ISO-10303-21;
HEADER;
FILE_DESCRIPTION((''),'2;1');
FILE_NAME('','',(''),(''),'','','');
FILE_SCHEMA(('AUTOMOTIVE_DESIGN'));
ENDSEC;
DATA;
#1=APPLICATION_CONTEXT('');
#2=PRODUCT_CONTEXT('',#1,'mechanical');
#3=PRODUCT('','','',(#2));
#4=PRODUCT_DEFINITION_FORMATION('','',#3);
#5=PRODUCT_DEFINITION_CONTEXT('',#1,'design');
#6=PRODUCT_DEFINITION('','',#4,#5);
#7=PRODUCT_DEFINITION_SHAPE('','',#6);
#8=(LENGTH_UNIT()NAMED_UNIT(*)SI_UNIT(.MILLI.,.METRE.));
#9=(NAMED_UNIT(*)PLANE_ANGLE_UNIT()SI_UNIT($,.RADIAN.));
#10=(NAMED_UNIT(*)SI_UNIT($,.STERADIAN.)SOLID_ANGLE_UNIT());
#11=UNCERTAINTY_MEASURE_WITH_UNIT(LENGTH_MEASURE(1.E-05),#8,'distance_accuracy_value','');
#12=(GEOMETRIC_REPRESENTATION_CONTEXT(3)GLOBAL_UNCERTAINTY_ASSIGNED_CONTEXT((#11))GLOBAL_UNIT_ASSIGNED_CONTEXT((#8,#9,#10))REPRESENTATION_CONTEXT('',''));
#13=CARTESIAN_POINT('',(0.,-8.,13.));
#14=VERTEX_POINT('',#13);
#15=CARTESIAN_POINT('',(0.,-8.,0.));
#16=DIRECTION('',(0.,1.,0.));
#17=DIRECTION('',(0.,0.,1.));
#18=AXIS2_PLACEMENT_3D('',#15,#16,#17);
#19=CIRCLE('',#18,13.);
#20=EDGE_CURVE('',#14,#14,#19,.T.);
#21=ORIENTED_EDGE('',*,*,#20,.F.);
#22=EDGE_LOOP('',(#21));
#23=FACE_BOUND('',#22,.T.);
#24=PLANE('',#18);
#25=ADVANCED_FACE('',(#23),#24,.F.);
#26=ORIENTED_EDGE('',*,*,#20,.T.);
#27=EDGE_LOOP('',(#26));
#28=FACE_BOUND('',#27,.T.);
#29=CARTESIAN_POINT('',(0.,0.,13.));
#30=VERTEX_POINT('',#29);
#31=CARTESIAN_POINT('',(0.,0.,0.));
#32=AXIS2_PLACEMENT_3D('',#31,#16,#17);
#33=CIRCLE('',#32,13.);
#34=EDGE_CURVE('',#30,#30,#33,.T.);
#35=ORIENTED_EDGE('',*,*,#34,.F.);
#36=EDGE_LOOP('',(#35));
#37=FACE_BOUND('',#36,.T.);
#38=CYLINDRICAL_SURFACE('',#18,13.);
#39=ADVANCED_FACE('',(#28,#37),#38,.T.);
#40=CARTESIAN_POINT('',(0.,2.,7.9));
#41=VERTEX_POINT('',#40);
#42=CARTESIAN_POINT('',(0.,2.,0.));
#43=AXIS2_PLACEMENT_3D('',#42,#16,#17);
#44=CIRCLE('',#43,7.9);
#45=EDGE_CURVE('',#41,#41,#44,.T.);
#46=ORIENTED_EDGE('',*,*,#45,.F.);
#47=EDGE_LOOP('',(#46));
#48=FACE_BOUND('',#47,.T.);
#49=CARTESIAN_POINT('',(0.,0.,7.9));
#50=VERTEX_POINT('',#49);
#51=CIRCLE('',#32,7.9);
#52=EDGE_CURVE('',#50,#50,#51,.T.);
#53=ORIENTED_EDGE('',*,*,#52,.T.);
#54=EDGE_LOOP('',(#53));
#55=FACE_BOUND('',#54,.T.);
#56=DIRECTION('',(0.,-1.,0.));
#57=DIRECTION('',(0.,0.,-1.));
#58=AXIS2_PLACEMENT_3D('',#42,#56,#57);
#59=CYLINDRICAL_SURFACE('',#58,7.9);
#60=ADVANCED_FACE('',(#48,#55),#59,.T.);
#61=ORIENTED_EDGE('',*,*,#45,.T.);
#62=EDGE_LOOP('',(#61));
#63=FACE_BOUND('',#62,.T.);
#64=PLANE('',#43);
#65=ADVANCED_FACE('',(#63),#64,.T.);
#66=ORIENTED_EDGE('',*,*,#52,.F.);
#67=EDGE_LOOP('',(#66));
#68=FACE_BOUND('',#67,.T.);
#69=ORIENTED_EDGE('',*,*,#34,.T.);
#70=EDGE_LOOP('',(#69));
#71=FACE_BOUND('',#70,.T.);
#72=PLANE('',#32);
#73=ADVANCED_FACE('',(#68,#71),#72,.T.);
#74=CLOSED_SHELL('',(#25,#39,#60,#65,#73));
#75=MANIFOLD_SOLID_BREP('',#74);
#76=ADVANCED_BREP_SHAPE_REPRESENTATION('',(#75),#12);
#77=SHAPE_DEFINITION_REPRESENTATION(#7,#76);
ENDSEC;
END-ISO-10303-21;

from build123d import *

# Parameters (mm, degrees)
CROQUIS2_R              = 7.9
SALIENTE_EXTRUIR1_DEPTH = 2
CROQUIS2_3_R            = 13
SALIENTE_EXTRUIR2_DEPTH = 8


with BuildPart() as part:
    # Croquis2 → Saliente-Extruir1 (new body)
    with BuildSketch(Plane(origin=(0, 0, 0), x_dir=(1, 0, 0), z_dir=(0, 1, 0))):
        Circle(CROQUIS2_R)
    extrude(amount=SALIENTE_EXTRUIR1_DEPTH)

    # Croquis2<3> → Saliente-Extruir2 (add)
    with BuildSketch(Plane(origin=(0, 0, 0), x_dir=(1, 0, 0), z_dir=(0, 1, 0))):
        Circle(CROQUIS2_3_R)
    extrude(amount=-SALIENTE_EXTRUIR2_DEPTH)


solid = part.part
